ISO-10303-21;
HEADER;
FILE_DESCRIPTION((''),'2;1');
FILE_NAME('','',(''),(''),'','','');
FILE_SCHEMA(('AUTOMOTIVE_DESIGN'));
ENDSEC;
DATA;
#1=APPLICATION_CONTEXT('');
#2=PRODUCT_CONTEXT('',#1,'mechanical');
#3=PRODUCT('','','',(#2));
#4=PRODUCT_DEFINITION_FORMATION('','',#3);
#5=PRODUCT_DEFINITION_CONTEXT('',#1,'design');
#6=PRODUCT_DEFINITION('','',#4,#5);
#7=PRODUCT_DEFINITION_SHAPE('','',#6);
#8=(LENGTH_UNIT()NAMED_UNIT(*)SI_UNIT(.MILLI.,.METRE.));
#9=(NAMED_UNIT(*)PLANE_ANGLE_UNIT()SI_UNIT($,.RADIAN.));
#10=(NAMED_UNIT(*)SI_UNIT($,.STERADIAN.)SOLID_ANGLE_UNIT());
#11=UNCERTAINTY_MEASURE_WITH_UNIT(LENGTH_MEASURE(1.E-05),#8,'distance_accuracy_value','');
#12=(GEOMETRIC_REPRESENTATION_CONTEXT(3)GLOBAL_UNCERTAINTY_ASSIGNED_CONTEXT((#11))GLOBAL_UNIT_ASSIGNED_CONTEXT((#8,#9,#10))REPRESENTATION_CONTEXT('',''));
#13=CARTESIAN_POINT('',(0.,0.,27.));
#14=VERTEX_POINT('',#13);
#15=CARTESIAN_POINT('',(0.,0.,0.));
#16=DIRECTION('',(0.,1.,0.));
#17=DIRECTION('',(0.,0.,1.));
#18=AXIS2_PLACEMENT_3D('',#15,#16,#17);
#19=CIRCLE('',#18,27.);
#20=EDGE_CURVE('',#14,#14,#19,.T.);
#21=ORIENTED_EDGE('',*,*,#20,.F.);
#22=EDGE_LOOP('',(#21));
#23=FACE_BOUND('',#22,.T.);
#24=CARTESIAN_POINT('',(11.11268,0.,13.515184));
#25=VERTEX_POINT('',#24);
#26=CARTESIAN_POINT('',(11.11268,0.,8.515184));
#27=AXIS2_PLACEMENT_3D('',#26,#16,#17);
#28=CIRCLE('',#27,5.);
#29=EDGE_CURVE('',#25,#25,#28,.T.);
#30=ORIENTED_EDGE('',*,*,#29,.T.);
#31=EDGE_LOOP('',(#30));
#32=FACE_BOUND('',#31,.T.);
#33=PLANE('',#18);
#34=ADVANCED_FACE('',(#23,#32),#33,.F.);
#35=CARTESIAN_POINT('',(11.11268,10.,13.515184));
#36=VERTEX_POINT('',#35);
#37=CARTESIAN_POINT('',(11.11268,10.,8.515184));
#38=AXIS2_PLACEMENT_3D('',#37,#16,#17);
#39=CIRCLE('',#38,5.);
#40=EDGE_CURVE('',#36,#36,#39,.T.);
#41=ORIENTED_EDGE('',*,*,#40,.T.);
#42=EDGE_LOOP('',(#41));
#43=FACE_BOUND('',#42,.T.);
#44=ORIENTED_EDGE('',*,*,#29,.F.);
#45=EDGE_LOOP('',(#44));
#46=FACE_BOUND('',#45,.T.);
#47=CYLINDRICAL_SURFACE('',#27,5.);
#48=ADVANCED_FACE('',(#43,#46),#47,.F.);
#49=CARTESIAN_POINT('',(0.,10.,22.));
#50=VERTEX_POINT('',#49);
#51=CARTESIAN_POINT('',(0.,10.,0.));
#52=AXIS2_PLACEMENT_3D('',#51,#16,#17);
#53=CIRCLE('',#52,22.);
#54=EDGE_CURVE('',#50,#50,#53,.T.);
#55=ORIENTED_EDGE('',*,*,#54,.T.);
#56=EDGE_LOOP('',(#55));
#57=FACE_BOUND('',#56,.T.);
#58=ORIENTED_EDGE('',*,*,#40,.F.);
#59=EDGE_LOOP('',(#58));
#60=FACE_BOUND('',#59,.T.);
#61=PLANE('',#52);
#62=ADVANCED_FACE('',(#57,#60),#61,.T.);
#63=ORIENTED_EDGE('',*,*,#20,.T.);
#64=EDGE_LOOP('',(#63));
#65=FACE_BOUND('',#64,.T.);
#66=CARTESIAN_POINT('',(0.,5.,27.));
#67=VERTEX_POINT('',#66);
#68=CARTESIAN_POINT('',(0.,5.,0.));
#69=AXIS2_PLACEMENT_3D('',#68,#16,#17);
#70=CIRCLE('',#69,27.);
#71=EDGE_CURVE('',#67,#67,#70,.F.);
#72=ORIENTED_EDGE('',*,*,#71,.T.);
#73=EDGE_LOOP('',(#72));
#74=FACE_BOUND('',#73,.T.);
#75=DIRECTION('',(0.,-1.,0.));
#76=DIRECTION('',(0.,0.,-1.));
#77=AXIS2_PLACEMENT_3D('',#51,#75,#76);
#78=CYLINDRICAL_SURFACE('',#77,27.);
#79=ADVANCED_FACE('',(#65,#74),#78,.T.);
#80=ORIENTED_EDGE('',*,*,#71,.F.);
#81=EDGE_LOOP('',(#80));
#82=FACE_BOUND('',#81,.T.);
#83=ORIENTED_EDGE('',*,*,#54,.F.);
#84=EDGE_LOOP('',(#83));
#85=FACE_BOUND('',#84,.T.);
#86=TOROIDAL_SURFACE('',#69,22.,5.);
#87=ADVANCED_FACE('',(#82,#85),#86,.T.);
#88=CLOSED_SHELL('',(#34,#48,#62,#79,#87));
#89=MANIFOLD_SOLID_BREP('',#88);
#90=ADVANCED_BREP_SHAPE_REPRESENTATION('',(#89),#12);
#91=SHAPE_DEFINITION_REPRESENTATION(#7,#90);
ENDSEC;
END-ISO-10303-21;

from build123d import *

# Parameters (mm, degrees)
SKETCH1_R           = 27
BOSS_EXTRUDE1_DEPTH = 10
FILLET1_R           = 5
SKETCH2_R           = 5
CUT_EXTRUDE1_DEPTH  = 10


with BuildPart() as part:
    # Sketch1 → Boss-Extrude1 (new body)
    with BuildSketch(Plane(origin=(0, 0, 0), x_dir=(1, 0, 0), z_dir=(0, 1, 0))):
        Circle(SKETCH1_R)
    extrude(amount=BOSS_EXTRUDE1_DEPTH)

    # Fillet1
    fillet1_edges = [part.edges().sort_by_distance(p)[0] for p in [
        (-27, 10, 0),
    ]]
    fillet(fillet1_edges, radius=FILLET1_R)

    # Sketch2 → Cut-Extrude1 (cut)
    with BuildSketch(Plane(origin=(0, 10, 0), x_dir=(1, 0, 0), z_dir=(0, 1, 0))):
        with Locations((11.112679592, -8.515183631)):
            Circle(SKETCH2_R)
    extrude(amount=-CUT_EXTRUDE1_DEPTH, mode=Mode.SUBTRACT)


solid = part.part
